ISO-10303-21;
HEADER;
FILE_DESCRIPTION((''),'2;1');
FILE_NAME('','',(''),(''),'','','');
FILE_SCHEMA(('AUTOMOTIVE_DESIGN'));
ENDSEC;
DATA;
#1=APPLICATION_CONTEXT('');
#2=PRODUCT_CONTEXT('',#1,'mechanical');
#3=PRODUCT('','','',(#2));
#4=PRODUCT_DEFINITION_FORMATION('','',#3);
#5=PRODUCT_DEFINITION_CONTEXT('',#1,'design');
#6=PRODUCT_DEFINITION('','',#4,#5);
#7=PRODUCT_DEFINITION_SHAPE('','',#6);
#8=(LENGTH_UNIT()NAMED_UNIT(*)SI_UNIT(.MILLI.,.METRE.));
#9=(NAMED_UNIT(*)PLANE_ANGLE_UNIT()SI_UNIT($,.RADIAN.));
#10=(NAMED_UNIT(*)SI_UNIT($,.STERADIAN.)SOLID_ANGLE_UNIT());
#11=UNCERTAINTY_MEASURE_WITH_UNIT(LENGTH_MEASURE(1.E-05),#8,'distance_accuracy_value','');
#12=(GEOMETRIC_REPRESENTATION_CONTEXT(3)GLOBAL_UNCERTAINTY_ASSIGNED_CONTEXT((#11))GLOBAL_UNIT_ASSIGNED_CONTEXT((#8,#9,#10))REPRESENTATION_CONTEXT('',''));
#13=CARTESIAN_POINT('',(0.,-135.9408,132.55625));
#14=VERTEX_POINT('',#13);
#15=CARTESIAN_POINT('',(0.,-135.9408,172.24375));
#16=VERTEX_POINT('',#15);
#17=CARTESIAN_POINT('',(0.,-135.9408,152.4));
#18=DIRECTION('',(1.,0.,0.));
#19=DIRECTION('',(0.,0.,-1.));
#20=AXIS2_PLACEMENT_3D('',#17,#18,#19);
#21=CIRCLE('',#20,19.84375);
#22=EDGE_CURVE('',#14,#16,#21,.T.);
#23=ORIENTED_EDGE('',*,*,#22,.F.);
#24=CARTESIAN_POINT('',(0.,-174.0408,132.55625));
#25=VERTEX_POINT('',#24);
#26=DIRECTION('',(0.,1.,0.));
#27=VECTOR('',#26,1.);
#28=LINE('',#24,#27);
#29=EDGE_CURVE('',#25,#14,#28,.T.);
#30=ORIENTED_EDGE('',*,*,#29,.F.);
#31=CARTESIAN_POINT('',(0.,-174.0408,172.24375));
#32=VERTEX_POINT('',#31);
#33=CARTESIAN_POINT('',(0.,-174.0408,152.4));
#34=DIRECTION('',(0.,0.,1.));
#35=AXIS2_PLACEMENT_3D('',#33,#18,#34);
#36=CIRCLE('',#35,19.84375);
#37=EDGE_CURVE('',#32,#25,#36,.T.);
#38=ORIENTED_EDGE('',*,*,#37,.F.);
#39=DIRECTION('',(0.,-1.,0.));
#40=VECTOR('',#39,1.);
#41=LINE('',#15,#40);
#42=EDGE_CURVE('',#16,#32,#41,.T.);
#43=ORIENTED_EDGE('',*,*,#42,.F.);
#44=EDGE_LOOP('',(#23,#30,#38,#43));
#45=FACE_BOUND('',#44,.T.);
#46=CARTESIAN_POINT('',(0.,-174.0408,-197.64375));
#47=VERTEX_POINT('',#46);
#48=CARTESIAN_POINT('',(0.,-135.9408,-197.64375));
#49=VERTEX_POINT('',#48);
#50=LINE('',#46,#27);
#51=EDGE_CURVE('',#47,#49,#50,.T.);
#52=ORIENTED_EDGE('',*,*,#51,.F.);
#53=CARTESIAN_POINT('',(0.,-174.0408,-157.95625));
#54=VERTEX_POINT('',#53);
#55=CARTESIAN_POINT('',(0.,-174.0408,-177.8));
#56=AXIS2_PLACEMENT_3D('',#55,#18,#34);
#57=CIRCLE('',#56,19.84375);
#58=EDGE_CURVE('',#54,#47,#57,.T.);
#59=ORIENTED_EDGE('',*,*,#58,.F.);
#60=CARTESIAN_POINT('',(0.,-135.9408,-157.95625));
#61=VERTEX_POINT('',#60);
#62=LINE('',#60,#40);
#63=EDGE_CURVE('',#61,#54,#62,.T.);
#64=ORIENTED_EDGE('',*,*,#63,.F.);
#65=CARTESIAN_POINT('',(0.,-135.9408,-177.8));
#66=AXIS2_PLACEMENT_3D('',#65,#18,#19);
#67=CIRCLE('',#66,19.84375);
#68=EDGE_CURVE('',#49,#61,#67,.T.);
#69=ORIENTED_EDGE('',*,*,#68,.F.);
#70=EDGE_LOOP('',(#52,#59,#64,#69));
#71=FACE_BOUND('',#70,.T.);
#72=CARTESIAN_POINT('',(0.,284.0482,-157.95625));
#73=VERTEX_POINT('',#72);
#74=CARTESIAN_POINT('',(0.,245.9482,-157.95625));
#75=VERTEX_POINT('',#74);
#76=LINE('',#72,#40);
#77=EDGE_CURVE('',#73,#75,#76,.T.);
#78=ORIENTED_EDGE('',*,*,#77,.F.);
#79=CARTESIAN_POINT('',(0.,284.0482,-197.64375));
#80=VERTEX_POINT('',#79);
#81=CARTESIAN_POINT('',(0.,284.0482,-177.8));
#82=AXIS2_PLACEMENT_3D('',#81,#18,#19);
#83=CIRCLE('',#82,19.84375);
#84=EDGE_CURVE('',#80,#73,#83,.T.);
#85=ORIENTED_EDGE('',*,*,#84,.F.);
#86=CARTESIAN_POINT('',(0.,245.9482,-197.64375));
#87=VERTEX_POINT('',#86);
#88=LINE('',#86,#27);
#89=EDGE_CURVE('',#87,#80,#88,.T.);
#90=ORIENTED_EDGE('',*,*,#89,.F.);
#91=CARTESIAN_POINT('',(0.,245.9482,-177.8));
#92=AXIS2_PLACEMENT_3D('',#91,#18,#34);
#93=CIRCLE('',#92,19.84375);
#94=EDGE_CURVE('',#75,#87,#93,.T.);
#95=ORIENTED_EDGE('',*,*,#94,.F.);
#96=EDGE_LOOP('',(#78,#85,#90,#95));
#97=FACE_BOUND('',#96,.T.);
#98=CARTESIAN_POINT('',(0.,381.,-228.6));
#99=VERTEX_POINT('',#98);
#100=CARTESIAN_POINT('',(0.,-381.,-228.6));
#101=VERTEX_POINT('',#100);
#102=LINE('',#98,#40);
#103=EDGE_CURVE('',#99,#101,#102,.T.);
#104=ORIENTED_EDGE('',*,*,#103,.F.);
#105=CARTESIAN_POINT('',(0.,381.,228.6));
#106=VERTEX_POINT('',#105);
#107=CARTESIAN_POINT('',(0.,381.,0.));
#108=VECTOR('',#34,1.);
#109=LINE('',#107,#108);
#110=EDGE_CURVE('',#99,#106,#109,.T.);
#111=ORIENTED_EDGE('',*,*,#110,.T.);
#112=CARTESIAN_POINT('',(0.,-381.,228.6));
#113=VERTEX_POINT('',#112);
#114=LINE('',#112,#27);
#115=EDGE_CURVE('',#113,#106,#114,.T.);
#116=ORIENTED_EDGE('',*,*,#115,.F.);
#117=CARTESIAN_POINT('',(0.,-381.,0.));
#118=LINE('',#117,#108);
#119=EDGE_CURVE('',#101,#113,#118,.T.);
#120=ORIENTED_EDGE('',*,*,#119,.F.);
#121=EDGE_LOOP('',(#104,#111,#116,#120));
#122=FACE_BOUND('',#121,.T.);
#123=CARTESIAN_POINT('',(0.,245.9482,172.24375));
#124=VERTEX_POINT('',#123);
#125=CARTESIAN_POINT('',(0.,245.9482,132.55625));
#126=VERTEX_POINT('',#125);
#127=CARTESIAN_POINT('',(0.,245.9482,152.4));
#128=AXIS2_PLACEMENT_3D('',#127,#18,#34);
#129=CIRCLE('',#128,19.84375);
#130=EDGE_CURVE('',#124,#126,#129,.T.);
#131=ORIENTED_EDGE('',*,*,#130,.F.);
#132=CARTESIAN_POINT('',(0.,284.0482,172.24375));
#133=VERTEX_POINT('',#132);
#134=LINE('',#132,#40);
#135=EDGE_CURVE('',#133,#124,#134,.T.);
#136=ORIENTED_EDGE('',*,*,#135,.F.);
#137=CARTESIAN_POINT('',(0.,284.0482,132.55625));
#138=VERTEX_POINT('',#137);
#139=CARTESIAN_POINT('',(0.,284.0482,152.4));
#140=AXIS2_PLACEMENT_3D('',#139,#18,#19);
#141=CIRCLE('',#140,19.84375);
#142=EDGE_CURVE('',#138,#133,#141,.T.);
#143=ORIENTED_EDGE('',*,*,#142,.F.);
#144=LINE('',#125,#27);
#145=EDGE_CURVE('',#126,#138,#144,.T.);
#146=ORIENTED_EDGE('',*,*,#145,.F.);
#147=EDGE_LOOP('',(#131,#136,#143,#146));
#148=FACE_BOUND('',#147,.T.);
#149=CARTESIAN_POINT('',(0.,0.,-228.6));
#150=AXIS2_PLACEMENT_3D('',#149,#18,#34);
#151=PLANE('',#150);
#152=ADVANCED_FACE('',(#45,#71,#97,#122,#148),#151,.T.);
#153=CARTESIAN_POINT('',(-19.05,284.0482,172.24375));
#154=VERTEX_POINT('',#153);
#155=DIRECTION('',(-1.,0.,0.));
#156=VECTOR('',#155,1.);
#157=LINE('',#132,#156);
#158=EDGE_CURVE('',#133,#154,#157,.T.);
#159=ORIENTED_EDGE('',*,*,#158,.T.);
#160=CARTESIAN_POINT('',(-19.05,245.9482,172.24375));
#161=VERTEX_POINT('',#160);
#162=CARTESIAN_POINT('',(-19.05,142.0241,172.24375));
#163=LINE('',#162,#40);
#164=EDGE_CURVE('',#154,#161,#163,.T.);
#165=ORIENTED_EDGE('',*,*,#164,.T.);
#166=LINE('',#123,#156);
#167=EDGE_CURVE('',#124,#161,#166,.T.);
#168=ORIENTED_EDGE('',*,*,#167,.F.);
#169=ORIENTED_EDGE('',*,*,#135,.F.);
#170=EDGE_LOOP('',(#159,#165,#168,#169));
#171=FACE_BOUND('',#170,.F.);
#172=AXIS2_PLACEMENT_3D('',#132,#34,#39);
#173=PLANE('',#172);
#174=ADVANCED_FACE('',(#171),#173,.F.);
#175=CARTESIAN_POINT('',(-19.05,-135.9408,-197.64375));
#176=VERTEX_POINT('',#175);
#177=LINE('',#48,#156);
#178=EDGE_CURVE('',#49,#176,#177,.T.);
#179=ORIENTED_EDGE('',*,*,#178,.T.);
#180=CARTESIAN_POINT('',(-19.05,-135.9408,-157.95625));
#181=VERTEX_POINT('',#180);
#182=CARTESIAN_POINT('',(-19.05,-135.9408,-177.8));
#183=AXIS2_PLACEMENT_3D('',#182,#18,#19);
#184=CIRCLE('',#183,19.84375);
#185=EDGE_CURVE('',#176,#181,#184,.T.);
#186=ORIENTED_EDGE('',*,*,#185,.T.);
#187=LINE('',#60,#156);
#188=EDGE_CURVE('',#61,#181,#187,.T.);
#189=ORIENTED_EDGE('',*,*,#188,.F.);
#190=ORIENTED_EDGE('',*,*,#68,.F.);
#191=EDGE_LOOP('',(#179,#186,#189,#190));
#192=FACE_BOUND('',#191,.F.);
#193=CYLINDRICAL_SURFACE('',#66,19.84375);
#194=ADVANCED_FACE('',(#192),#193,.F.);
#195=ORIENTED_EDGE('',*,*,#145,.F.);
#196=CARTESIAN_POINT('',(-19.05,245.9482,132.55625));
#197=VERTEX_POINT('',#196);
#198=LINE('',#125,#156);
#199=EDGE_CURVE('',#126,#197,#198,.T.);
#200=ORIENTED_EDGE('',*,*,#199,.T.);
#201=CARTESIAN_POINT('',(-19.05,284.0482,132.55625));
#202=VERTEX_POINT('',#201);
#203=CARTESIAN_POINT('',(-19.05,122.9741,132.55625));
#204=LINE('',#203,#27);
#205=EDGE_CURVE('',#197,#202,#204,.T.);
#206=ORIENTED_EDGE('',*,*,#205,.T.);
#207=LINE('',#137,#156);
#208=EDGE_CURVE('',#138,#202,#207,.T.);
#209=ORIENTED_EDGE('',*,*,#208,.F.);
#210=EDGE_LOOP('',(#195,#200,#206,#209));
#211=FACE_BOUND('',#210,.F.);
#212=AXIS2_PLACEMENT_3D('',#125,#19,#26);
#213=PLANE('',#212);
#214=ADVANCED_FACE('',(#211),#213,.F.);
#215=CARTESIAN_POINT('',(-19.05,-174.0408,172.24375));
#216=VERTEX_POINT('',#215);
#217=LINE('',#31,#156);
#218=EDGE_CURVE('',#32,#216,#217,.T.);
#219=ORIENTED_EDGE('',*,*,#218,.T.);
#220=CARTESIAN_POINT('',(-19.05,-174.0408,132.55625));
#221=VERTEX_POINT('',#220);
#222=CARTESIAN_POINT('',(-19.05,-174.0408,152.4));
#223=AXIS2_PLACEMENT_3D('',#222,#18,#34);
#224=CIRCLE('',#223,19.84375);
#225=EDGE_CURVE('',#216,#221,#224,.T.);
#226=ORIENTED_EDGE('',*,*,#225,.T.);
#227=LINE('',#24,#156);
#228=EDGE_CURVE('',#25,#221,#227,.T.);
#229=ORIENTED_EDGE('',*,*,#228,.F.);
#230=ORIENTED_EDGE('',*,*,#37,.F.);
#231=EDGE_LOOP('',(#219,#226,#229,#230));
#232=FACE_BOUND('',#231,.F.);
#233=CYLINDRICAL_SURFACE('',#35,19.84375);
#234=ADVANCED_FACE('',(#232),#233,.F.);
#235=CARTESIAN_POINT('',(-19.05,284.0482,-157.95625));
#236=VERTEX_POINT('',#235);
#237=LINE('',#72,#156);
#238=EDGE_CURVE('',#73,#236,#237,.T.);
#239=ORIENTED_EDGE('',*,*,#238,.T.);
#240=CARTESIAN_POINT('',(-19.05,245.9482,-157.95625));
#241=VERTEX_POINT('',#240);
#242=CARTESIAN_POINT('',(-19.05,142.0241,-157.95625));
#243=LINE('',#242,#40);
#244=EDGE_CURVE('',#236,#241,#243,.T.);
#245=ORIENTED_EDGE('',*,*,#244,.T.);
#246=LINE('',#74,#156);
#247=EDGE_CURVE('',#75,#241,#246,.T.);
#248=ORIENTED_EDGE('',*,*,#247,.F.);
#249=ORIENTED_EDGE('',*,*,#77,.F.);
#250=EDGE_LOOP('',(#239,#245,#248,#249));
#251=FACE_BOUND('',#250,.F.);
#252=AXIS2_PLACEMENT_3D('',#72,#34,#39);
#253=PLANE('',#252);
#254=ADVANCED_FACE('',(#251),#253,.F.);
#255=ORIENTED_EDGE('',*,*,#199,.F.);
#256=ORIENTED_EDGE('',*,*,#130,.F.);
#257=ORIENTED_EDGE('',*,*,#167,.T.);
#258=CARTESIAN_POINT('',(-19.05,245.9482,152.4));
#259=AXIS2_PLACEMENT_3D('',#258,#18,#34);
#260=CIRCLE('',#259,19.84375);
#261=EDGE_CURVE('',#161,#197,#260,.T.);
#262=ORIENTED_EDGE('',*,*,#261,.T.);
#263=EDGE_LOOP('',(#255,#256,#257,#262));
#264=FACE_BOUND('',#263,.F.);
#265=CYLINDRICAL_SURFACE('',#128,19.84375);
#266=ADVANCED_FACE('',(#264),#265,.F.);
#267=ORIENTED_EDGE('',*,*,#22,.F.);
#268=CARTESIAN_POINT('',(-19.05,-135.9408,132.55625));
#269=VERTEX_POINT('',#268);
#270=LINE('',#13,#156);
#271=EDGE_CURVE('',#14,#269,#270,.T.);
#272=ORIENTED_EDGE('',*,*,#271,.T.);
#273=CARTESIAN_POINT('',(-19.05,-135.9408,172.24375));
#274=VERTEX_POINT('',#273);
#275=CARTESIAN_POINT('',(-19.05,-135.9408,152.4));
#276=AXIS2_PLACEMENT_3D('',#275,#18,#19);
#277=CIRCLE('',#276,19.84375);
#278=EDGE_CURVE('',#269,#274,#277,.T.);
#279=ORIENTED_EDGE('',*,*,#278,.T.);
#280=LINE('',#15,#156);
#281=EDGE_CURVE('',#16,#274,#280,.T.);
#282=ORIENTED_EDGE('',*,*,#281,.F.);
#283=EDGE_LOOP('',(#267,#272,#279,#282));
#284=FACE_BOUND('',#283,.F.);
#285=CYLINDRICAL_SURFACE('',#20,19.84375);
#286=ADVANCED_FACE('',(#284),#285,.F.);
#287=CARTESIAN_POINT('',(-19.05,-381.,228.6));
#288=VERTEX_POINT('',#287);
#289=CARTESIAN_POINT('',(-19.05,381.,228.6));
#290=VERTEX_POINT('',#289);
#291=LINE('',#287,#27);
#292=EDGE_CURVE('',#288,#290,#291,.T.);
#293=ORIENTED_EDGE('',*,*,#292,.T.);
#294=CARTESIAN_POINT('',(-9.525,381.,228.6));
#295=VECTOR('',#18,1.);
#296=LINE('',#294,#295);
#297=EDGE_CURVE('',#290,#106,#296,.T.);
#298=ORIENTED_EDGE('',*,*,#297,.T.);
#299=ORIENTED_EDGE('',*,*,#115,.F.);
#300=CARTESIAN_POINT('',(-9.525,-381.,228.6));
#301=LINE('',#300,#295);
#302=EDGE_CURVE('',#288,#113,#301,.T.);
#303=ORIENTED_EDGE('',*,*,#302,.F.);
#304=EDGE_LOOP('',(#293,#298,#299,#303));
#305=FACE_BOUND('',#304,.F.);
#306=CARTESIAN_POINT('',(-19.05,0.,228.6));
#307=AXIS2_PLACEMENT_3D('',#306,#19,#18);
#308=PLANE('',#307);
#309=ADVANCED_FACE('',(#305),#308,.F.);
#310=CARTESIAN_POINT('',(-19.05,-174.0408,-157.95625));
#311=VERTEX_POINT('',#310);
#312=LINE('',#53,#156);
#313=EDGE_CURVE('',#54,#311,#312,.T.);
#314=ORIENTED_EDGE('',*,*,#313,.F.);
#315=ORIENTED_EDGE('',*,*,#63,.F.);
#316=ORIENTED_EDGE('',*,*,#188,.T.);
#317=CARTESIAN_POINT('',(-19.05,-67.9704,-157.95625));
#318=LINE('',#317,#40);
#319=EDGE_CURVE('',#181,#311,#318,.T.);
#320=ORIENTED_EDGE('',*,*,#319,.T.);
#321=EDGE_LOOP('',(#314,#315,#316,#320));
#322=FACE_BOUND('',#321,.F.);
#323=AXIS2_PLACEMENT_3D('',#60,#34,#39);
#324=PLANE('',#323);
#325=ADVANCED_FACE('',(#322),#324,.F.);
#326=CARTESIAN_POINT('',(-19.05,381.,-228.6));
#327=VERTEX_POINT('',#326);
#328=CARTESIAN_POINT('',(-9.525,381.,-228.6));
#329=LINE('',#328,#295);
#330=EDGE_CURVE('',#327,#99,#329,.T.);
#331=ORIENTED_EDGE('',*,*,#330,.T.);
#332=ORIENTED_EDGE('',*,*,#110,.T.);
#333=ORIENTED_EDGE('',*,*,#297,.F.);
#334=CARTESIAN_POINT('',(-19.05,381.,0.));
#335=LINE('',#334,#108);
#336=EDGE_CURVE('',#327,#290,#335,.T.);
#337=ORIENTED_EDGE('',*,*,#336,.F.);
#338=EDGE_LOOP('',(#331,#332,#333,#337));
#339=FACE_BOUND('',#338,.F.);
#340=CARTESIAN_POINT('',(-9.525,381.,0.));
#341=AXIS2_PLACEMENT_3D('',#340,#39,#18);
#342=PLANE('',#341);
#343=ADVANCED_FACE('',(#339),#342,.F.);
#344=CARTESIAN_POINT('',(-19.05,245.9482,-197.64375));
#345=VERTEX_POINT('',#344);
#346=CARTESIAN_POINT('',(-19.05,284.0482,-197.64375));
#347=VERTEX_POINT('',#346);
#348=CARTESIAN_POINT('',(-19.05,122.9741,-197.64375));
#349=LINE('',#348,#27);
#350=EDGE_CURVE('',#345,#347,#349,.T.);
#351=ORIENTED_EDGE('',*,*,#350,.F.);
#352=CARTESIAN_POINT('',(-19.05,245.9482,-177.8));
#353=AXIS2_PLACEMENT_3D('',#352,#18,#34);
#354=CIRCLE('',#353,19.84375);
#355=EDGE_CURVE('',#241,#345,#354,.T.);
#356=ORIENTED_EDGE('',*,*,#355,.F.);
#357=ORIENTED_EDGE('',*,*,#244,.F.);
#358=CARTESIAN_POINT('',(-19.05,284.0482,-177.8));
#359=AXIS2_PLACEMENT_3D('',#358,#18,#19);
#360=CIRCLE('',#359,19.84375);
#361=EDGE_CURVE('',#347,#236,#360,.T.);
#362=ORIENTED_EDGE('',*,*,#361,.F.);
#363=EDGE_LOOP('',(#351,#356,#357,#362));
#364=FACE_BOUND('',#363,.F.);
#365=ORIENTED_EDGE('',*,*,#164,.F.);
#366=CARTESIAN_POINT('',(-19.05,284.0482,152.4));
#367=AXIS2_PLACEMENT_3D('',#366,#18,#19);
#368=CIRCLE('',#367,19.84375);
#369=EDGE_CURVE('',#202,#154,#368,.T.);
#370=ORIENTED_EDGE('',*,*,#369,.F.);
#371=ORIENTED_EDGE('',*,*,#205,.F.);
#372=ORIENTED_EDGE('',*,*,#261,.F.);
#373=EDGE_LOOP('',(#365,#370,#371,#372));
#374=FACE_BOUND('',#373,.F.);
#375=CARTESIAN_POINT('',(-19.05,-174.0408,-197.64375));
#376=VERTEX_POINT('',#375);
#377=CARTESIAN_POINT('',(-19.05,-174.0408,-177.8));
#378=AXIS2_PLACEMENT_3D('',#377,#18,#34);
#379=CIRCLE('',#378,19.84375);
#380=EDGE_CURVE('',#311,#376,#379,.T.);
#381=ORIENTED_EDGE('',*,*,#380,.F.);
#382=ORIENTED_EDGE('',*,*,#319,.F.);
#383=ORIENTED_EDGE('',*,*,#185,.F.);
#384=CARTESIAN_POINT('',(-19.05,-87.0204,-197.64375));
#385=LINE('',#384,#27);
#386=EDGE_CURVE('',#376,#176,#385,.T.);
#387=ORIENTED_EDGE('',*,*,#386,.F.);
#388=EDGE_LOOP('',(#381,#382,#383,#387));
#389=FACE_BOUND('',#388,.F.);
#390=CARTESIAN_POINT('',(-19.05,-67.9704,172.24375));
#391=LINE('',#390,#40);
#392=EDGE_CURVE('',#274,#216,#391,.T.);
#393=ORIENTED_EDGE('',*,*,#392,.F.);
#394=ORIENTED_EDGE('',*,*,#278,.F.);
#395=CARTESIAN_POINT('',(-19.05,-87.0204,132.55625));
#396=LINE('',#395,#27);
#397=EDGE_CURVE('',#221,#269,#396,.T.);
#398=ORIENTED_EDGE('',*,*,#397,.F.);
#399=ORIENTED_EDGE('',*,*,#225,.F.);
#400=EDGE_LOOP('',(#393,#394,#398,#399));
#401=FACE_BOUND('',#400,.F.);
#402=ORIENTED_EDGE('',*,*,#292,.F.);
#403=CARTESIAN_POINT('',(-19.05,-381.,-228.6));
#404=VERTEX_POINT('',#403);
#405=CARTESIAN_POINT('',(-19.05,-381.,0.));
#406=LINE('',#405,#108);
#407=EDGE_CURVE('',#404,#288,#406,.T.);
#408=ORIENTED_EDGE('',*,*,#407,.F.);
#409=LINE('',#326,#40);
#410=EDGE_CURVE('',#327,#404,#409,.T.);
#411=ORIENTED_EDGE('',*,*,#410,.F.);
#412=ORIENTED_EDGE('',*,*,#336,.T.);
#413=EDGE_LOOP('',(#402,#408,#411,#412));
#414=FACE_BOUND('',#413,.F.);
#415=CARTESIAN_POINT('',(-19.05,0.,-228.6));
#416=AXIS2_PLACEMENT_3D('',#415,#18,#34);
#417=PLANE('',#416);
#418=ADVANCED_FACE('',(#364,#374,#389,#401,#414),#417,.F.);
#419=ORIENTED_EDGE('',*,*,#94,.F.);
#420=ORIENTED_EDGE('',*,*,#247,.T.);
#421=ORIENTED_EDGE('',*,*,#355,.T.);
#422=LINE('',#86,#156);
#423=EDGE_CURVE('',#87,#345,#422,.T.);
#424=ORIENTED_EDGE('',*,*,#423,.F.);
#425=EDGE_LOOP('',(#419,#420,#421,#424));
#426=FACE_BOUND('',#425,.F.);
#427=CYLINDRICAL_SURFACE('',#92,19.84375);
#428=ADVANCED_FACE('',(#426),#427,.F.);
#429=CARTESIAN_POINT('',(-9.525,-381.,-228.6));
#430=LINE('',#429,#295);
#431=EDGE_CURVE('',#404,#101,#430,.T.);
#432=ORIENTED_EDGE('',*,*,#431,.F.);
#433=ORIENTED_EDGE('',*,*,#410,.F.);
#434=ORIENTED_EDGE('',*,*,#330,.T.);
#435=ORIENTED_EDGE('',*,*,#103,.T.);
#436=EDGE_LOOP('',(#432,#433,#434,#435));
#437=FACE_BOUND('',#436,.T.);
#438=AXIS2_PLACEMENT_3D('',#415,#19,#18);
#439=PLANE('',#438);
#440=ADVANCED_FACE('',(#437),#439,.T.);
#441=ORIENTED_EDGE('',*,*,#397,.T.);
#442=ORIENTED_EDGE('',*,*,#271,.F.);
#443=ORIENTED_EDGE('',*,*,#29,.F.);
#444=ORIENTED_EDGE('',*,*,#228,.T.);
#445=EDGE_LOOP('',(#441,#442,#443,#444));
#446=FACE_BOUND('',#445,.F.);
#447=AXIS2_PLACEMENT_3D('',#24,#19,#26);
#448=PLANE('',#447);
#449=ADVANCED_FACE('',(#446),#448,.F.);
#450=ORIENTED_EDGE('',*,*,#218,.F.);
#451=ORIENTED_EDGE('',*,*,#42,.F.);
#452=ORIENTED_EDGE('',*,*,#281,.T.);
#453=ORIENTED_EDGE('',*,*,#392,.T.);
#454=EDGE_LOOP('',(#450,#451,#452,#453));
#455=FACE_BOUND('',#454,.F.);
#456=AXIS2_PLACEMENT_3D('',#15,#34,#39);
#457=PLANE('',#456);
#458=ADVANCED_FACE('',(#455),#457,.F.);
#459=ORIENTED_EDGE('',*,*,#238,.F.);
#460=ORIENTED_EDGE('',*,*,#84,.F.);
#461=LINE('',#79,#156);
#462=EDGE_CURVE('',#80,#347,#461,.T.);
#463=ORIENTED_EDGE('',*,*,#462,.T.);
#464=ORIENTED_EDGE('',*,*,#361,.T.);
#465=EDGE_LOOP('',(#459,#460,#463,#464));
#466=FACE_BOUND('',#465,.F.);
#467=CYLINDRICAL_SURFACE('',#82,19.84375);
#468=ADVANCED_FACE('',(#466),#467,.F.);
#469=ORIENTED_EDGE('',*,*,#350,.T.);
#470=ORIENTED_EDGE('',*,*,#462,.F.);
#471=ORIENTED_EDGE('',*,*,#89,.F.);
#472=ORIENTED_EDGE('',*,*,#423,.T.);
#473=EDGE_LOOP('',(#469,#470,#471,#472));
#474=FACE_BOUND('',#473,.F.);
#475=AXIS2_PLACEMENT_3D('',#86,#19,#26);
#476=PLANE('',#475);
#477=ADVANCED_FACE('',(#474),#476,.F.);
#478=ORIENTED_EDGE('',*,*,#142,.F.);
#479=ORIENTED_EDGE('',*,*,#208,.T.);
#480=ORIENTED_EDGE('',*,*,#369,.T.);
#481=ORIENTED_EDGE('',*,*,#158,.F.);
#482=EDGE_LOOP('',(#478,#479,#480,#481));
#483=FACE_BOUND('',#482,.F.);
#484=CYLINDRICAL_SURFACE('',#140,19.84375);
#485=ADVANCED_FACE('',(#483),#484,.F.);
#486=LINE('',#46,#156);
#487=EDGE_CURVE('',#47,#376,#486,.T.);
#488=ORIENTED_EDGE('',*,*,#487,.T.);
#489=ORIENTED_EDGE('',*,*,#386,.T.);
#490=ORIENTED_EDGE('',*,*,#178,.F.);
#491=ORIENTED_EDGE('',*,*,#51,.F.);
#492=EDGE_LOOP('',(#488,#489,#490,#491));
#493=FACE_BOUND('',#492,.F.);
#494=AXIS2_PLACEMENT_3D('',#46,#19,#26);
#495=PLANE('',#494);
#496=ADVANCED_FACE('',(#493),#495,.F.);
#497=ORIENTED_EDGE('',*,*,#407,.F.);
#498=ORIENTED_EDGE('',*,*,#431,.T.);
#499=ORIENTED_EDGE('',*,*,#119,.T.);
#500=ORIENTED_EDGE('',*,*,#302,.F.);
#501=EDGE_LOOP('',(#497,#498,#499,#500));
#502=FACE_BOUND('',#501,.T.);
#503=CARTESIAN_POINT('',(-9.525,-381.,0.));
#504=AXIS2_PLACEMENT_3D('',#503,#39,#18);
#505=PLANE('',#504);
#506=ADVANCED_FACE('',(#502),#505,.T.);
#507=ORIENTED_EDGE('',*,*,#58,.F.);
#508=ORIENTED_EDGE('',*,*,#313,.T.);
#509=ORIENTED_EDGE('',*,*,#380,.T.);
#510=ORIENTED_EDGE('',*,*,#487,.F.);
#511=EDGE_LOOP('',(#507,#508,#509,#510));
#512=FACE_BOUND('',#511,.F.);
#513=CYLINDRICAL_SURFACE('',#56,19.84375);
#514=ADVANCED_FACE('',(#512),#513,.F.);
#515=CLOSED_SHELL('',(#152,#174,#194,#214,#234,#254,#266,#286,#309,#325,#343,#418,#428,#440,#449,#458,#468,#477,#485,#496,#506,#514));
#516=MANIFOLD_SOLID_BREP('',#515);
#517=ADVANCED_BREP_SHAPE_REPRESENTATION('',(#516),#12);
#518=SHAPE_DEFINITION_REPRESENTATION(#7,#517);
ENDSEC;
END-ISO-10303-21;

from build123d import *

# Parameters (mm, degrees)
F0_W     = 19.05
F0_H     = 457.2
F1_DEPTH = 381
F3_DEPTH = 19.051


with BuildPart() as f1:
    # F0 (on Front) → F1 (new body, symmetric)
    with BuildSketch(Plane.XZ):
        with Locations((-9.525, 0)):
            Rectangle(F0_W, F0_H)
    extrude(amount=F1_DEPTH, both=True)

    # F2 (on face) → F3 (cut, through all)
    with BuildSketch(Plane.YZ):
        with BuildLine():
            ThreePointArc((-174.0408, -157.95625), (-193.88455, -177.8), (-174.0408, -197.64375))
            Line((-174.0408, -197.64375), (-154.9908, -197.64375))
            ThreePointArc((-154.9908, -197.64375), (-174.83455, -177.8), (-154.9908, -157.95625))
            Line((-154.9908, -157.95625), (-174.0408, -157.95625))
        make_face()
        with BuildLine():
            ThreePointArc((-154.9908, -157.95625), (-174.83455, -177.8), (-154.9908, -197.64375))
            ThreePointArc((-154.9908, -197.64375), (-135.14705, -177.8), (-154.9908, -157.95625))
        make_face()
        with BuildLine():
            ThreePointArc((-154.9908, -157.95625), (-135.14705, -177.8), (-154.9908, -197.64375))
            Line((-154.9908, -197.64375), (-135.9408, -197.64375))
            ThreePointArc((-135.9408, -197.64375), (-116.09705, -177.8), (-135.9408, -157.95625))
            Line((-135.9408, -157.95625), (-154.9908, -157.95625))
        make_face()
        with BuildLine():
            ThreePointArc((245.9482, -157.95625), (226.10445, -177.8), (245.9482, -197.64375))
            Line((245.9482, -197.64375), (264.9982, -197.64375))
            ThreePointArc((264.9982, -197.64375), (245.15445, -177.8), (264.9982, -157.95625))
            Line((264.9982, -157.95625), (245.9482, -157.95625))
        make_face()
        with BuildLine():
            ThreePointArc((264.9982, -157.95625), (245.15445, -177.8), (264.9982, -197.64375))
            ThreePointArc((264.9982, -197.64375), (284.84195, -177.8), (264.9982, -157.95625))
        make_face()
        with BuildLine():
            ThreePointArc((264.9982, -157.95625), (284.84195, -177.8), (264.9982, -197.64375))
            Line((264.9982, -197.64375), (284.0482, -197.64375))
            ThreePointArc((284.0482, -197.64375), (303.89195, -177.8), (284.0482, -157.95625))
            Line((284.0482, -157.95625), (264.9982, -157.95625))
        make_face()
        with BuildLine():
            ThreePointArc((-174.0408, 172.24375), (-193.88455, 152.4), (-174.0408, 132.55625))
            Line((-174.0408, 132.55625), (-154.9908, 132.55625))
            Line((-154.9908, 132.55625), (-135.9408, 132.55625))
            ThreePointArc((-135.9408, 132.55625), (-116.09705, 152.4), (-135.9408, 172.24375))
            Line((-135.9408, 172.24375), (-154.9908, 172.24375))
            Line((-154.9908, 172.24375), (-174.0408, 172.24375))
        make_face()
        with BuildLine():
            ThreePointArc((245.9482, 172.24375), (226.10445, 152.4), (245.9482, 132.55625))
            Line((245.9482, 132.55625), (264.9982, 132.55625))
            Line((264.9982, 132.55625), (284.0482, 132.55625))
            ThreePointArc((284.0482, 132.55625), (303.89195, 152.4), (284.0482, 172.24375))
            Line((284.0482, 172.24375), (264.9982, 172.24375))
            Line((264.9982, 172.24375), (245.9482, 172.24375))
        make_face()
    extrude(amount=-F3_DEPTH, mode=Mode.SUBTRACT)


solid = f1.part
